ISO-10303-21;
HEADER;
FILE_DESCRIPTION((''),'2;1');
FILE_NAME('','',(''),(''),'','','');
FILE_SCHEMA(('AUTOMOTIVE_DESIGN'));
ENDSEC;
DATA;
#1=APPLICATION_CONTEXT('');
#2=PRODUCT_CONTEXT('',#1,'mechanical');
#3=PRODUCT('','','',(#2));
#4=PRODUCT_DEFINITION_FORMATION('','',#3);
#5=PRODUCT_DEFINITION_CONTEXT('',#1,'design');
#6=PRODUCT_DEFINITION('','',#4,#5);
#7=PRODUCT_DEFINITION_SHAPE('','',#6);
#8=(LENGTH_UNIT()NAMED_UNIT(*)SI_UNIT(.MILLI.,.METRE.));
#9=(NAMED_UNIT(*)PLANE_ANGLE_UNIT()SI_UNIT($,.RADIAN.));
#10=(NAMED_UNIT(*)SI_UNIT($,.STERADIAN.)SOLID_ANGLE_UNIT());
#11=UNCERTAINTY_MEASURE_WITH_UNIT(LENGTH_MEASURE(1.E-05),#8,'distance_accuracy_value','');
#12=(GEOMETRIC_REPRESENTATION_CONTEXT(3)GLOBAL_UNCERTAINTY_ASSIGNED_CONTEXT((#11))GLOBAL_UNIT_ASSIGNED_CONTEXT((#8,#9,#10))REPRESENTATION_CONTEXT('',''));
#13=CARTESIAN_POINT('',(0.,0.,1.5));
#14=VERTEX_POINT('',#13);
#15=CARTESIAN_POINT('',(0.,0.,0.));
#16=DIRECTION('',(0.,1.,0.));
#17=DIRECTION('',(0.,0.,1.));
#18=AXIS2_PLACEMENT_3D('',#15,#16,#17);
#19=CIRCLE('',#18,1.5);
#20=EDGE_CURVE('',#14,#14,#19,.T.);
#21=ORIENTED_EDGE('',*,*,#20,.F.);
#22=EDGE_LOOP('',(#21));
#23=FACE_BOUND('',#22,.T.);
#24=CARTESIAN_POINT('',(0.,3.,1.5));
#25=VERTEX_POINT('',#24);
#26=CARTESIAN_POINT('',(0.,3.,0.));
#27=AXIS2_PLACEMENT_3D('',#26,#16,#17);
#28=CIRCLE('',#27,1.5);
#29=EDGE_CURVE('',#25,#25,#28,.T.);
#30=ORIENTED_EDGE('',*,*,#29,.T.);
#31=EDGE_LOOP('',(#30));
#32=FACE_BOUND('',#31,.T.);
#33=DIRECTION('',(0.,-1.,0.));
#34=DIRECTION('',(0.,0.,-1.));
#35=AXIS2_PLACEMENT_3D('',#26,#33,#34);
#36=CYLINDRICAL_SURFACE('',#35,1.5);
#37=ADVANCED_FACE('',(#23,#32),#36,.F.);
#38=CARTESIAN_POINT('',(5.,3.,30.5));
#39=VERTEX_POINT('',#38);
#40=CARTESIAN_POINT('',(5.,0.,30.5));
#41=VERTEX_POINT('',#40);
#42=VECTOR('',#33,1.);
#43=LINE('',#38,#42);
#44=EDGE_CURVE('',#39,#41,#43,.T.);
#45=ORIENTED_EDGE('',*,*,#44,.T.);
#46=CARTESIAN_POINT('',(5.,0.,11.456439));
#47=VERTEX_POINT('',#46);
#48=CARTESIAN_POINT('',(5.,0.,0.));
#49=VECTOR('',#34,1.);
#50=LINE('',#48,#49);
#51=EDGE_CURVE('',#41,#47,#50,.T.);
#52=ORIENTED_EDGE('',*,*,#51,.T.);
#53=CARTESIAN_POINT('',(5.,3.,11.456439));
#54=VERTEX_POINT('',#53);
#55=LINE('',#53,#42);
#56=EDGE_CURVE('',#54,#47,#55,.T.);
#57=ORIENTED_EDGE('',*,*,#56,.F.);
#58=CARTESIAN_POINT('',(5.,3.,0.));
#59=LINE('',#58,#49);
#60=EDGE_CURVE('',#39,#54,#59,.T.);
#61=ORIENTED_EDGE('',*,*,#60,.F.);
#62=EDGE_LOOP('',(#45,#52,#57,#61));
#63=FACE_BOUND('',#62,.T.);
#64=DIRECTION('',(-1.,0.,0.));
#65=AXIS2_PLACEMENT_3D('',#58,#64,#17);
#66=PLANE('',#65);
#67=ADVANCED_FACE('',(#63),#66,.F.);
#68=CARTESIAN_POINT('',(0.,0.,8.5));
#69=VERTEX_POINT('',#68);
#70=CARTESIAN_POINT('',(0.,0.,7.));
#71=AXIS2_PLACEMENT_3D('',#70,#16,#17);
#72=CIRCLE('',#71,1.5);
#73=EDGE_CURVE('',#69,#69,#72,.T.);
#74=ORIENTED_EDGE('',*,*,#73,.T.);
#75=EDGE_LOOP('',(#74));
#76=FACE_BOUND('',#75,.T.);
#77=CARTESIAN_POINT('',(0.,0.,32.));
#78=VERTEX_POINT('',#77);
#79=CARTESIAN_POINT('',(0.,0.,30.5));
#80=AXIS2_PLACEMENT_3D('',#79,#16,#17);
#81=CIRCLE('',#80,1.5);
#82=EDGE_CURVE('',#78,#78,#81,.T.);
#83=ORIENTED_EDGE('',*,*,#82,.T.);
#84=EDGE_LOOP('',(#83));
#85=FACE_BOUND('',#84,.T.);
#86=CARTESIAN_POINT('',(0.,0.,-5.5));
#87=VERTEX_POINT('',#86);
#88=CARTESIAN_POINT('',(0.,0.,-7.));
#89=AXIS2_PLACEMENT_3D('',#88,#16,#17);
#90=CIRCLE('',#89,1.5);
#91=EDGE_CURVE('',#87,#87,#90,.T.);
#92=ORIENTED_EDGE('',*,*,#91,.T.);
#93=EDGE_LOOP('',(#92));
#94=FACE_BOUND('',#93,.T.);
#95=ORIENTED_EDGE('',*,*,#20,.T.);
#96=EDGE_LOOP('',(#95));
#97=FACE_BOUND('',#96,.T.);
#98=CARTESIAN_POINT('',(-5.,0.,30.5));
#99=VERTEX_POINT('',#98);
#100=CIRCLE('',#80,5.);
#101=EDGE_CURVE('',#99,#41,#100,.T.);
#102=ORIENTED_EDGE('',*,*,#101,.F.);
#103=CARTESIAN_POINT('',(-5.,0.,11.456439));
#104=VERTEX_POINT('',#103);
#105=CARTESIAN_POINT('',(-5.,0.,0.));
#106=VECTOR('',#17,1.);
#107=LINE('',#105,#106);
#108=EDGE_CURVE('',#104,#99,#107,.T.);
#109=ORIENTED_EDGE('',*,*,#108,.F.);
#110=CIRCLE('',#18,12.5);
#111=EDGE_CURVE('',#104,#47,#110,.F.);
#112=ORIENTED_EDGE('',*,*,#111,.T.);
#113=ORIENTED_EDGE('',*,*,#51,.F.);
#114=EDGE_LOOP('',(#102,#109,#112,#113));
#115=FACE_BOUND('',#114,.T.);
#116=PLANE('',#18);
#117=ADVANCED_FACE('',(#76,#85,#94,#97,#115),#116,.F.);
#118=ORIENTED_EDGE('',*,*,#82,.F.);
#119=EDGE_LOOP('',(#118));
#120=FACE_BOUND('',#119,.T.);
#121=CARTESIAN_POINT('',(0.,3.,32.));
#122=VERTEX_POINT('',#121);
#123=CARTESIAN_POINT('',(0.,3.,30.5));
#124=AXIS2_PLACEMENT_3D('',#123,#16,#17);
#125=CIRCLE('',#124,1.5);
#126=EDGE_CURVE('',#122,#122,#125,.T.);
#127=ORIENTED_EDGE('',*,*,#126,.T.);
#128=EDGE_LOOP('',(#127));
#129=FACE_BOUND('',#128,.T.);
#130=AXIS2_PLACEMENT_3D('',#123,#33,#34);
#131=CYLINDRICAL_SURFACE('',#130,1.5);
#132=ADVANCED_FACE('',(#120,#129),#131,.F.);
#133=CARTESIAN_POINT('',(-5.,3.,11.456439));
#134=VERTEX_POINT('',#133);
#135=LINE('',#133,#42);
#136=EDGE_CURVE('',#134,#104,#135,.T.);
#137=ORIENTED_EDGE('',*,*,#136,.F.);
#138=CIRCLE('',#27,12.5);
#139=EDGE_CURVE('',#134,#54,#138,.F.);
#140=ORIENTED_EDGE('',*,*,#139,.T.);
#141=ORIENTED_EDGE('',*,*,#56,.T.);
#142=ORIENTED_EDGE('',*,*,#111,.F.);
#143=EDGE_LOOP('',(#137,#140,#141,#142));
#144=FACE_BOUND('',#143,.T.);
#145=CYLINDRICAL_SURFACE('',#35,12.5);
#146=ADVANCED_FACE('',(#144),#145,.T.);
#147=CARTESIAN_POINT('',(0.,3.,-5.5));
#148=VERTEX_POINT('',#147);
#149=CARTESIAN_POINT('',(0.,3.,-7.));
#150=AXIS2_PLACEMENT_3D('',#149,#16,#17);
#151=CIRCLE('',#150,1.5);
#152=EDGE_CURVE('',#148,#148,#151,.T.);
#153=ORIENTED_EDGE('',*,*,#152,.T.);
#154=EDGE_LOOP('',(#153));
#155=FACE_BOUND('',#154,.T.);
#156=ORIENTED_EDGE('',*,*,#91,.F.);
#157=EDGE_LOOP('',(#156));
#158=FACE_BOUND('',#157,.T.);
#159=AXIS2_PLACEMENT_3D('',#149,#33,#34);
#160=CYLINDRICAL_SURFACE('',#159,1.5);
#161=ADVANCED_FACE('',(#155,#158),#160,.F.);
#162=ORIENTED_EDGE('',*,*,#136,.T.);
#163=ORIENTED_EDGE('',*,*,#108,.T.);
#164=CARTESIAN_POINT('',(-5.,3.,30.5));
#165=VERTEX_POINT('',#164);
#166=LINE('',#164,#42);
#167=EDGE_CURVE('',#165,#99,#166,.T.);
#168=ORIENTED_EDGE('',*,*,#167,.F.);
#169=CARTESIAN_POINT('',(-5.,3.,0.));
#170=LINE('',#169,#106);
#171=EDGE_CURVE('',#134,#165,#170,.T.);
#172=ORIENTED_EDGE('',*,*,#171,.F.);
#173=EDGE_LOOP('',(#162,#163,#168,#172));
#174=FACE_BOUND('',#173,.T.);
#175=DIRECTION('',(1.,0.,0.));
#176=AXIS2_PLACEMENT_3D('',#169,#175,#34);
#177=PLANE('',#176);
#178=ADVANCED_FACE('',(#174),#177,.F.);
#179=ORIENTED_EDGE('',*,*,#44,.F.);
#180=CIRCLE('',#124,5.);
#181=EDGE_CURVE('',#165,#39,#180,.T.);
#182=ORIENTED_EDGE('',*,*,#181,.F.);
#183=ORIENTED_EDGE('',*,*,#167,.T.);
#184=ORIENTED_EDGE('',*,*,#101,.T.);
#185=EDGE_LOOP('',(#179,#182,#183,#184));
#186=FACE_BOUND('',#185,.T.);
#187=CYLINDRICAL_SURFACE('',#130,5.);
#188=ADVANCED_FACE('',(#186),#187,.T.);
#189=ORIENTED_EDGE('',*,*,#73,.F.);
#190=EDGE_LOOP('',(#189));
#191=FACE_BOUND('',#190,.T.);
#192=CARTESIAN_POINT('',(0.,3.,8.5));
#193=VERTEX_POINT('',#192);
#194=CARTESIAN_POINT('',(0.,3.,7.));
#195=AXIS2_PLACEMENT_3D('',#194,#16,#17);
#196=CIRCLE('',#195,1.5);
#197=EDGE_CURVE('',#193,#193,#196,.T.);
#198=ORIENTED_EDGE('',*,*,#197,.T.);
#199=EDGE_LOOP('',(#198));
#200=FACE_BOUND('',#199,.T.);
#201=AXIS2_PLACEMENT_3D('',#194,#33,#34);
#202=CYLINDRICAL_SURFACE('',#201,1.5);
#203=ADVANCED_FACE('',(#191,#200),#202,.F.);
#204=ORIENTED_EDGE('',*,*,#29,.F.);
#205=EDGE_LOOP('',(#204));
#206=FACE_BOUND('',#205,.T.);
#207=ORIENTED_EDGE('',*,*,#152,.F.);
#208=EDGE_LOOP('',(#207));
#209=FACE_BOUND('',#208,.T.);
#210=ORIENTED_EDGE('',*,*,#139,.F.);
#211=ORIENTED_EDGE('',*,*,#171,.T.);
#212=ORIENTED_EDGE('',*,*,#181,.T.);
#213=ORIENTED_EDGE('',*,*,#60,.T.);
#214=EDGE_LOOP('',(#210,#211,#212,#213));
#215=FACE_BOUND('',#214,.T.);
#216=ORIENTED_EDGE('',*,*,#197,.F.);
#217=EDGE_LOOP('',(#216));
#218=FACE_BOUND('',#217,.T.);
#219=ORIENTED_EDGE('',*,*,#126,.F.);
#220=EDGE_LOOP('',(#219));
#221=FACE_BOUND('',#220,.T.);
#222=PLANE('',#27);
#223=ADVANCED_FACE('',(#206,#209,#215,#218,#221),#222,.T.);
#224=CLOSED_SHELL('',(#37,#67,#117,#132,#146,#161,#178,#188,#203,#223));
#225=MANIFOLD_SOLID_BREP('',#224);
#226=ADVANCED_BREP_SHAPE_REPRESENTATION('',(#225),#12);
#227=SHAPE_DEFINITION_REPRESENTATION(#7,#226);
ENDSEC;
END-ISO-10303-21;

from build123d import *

# Parameters (mm, degrees)
SKETCH1_R           = 1.5
BOSS_EXTRUDE1_DEPTH = 3


with BuildPart() as part:
    # Sketch1 → Boss-Extrude1 (new body)
    with BuildSketch(Plane(origin=(0, 0, 0), x_dir=(1, 0, 0), z_dir=(0, 1, 0))):
        with BuildLine():
            Line((-5, -11.456439237), (-5, -30.5))
            ThreePointArc((-5, -30.5), (0, -35.5), (5, -30.5))
            Line((5, -30.5), (5, -11.456439237))
            ThreePointArc((5, -11.456439237), (0, 12.5), (-5, -11.456439237))
        make_face()
        with Locations(Location((0, 0, 0), (0, 0, 270))):
            Circle(SKETCH1_R, mode=Mode.SUBTRACT)
        with Locations(Location((0, 7, 0), (0, 0, 270))):
            Circle(SKETCH1_R, mode=Mode.SUBTRACT)
        with Locations(Location((0, -7, 0), (0, 0, 270))):
            Circle(SKETCH1_R, mode=Mode.SUBTRACT)
        with Locations(Location((0, -30.5, 0), (0, 0, 270))):
            Circle(SKETCH1_R, mode=Mode.SUBTRACT)
    extrude(amount=BOSS_EXTRUDE1_DEPTH)


solid = part.part
